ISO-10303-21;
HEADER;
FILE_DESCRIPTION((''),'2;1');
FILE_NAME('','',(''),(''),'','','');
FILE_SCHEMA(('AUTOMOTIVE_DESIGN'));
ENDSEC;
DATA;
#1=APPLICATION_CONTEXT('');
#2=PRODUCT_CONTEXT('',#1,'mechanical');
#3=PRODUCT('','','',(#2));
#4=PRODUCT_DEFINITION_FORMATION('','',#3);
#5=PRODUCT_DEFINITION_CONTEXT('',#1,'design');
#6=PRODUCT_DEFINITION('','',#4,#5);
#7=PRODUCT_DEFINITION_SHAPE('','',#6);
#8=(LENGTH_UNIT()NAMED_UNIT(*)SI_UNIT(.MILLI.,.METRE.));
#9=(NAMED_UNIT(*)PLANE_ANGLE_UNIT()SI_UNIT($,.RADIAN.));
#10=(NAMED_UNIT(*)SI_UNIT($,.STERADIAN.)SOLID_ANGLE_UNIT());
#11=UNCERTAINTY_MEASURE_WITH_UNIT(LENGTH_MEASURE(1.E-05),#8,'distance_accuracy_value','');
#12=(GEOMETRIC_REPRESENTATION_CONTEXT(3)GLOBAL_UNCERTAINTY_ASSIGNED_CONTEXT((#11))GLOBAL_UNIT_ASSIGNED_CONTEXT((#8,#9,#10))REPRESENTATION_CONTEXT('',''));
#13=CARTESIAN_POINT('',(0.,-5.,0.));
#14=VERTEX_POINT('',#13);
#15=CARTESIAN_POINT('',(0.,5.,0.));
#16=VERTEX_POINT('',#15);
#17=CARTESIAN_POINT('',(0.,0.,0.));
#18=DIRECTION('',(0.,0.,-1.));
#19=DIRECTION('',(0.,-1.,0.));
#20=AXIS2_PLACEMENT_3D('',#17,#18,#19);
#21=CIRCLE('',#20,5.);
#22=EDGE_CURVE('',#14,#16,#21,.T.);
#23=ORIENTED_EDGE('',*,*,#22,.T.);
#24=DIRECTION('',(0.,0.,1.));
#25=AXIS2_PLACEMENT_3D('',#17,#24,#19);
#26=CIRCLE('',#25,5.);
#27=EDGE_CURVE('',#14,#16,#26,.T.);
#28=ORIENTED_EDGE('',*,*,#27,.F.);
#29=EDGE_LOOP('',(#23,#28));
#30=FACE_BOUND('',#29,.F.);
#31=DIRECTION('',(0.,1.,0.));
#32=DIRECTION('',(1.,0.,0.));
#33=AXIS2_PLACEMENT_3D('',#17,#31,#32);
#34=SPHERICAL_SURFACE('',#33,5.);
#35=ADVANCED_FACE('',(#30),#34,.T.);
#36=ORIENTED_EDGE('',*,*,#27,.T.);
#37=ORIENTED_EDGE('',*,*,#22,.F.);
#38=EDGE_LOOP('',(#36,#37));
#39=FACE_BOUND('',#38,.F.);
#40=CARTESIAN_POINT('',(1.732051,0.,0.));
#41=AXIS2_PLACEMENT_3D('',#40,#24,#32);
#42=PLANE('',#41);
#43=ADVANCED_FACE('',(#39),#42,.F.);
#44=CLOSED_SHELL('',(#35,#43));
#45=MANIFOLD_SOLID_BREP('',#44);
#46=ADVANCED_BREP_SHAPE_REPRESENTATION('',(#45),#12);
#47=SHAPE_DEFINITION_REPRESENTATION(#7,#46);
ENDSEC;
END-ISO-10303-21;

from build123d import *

# Parameters (mm, degrees)
REVOLVE1_ANGLE = 180


with BuildPart() as part:
    # Sketch1 → Revolve1 (revolve)
    with BuildSketch(Plane.XY):
        with BuildLine():
            Line((0, 5), (0, -5))
            ThreePointArc((0, -5), (5, 0), (0, 5))
        make_face()
    revolve(axis=Axis((0, 5, 0), (0, -1, 0)), revolution_arc=REVOLVE1_ANGLE)


solid = part.part
